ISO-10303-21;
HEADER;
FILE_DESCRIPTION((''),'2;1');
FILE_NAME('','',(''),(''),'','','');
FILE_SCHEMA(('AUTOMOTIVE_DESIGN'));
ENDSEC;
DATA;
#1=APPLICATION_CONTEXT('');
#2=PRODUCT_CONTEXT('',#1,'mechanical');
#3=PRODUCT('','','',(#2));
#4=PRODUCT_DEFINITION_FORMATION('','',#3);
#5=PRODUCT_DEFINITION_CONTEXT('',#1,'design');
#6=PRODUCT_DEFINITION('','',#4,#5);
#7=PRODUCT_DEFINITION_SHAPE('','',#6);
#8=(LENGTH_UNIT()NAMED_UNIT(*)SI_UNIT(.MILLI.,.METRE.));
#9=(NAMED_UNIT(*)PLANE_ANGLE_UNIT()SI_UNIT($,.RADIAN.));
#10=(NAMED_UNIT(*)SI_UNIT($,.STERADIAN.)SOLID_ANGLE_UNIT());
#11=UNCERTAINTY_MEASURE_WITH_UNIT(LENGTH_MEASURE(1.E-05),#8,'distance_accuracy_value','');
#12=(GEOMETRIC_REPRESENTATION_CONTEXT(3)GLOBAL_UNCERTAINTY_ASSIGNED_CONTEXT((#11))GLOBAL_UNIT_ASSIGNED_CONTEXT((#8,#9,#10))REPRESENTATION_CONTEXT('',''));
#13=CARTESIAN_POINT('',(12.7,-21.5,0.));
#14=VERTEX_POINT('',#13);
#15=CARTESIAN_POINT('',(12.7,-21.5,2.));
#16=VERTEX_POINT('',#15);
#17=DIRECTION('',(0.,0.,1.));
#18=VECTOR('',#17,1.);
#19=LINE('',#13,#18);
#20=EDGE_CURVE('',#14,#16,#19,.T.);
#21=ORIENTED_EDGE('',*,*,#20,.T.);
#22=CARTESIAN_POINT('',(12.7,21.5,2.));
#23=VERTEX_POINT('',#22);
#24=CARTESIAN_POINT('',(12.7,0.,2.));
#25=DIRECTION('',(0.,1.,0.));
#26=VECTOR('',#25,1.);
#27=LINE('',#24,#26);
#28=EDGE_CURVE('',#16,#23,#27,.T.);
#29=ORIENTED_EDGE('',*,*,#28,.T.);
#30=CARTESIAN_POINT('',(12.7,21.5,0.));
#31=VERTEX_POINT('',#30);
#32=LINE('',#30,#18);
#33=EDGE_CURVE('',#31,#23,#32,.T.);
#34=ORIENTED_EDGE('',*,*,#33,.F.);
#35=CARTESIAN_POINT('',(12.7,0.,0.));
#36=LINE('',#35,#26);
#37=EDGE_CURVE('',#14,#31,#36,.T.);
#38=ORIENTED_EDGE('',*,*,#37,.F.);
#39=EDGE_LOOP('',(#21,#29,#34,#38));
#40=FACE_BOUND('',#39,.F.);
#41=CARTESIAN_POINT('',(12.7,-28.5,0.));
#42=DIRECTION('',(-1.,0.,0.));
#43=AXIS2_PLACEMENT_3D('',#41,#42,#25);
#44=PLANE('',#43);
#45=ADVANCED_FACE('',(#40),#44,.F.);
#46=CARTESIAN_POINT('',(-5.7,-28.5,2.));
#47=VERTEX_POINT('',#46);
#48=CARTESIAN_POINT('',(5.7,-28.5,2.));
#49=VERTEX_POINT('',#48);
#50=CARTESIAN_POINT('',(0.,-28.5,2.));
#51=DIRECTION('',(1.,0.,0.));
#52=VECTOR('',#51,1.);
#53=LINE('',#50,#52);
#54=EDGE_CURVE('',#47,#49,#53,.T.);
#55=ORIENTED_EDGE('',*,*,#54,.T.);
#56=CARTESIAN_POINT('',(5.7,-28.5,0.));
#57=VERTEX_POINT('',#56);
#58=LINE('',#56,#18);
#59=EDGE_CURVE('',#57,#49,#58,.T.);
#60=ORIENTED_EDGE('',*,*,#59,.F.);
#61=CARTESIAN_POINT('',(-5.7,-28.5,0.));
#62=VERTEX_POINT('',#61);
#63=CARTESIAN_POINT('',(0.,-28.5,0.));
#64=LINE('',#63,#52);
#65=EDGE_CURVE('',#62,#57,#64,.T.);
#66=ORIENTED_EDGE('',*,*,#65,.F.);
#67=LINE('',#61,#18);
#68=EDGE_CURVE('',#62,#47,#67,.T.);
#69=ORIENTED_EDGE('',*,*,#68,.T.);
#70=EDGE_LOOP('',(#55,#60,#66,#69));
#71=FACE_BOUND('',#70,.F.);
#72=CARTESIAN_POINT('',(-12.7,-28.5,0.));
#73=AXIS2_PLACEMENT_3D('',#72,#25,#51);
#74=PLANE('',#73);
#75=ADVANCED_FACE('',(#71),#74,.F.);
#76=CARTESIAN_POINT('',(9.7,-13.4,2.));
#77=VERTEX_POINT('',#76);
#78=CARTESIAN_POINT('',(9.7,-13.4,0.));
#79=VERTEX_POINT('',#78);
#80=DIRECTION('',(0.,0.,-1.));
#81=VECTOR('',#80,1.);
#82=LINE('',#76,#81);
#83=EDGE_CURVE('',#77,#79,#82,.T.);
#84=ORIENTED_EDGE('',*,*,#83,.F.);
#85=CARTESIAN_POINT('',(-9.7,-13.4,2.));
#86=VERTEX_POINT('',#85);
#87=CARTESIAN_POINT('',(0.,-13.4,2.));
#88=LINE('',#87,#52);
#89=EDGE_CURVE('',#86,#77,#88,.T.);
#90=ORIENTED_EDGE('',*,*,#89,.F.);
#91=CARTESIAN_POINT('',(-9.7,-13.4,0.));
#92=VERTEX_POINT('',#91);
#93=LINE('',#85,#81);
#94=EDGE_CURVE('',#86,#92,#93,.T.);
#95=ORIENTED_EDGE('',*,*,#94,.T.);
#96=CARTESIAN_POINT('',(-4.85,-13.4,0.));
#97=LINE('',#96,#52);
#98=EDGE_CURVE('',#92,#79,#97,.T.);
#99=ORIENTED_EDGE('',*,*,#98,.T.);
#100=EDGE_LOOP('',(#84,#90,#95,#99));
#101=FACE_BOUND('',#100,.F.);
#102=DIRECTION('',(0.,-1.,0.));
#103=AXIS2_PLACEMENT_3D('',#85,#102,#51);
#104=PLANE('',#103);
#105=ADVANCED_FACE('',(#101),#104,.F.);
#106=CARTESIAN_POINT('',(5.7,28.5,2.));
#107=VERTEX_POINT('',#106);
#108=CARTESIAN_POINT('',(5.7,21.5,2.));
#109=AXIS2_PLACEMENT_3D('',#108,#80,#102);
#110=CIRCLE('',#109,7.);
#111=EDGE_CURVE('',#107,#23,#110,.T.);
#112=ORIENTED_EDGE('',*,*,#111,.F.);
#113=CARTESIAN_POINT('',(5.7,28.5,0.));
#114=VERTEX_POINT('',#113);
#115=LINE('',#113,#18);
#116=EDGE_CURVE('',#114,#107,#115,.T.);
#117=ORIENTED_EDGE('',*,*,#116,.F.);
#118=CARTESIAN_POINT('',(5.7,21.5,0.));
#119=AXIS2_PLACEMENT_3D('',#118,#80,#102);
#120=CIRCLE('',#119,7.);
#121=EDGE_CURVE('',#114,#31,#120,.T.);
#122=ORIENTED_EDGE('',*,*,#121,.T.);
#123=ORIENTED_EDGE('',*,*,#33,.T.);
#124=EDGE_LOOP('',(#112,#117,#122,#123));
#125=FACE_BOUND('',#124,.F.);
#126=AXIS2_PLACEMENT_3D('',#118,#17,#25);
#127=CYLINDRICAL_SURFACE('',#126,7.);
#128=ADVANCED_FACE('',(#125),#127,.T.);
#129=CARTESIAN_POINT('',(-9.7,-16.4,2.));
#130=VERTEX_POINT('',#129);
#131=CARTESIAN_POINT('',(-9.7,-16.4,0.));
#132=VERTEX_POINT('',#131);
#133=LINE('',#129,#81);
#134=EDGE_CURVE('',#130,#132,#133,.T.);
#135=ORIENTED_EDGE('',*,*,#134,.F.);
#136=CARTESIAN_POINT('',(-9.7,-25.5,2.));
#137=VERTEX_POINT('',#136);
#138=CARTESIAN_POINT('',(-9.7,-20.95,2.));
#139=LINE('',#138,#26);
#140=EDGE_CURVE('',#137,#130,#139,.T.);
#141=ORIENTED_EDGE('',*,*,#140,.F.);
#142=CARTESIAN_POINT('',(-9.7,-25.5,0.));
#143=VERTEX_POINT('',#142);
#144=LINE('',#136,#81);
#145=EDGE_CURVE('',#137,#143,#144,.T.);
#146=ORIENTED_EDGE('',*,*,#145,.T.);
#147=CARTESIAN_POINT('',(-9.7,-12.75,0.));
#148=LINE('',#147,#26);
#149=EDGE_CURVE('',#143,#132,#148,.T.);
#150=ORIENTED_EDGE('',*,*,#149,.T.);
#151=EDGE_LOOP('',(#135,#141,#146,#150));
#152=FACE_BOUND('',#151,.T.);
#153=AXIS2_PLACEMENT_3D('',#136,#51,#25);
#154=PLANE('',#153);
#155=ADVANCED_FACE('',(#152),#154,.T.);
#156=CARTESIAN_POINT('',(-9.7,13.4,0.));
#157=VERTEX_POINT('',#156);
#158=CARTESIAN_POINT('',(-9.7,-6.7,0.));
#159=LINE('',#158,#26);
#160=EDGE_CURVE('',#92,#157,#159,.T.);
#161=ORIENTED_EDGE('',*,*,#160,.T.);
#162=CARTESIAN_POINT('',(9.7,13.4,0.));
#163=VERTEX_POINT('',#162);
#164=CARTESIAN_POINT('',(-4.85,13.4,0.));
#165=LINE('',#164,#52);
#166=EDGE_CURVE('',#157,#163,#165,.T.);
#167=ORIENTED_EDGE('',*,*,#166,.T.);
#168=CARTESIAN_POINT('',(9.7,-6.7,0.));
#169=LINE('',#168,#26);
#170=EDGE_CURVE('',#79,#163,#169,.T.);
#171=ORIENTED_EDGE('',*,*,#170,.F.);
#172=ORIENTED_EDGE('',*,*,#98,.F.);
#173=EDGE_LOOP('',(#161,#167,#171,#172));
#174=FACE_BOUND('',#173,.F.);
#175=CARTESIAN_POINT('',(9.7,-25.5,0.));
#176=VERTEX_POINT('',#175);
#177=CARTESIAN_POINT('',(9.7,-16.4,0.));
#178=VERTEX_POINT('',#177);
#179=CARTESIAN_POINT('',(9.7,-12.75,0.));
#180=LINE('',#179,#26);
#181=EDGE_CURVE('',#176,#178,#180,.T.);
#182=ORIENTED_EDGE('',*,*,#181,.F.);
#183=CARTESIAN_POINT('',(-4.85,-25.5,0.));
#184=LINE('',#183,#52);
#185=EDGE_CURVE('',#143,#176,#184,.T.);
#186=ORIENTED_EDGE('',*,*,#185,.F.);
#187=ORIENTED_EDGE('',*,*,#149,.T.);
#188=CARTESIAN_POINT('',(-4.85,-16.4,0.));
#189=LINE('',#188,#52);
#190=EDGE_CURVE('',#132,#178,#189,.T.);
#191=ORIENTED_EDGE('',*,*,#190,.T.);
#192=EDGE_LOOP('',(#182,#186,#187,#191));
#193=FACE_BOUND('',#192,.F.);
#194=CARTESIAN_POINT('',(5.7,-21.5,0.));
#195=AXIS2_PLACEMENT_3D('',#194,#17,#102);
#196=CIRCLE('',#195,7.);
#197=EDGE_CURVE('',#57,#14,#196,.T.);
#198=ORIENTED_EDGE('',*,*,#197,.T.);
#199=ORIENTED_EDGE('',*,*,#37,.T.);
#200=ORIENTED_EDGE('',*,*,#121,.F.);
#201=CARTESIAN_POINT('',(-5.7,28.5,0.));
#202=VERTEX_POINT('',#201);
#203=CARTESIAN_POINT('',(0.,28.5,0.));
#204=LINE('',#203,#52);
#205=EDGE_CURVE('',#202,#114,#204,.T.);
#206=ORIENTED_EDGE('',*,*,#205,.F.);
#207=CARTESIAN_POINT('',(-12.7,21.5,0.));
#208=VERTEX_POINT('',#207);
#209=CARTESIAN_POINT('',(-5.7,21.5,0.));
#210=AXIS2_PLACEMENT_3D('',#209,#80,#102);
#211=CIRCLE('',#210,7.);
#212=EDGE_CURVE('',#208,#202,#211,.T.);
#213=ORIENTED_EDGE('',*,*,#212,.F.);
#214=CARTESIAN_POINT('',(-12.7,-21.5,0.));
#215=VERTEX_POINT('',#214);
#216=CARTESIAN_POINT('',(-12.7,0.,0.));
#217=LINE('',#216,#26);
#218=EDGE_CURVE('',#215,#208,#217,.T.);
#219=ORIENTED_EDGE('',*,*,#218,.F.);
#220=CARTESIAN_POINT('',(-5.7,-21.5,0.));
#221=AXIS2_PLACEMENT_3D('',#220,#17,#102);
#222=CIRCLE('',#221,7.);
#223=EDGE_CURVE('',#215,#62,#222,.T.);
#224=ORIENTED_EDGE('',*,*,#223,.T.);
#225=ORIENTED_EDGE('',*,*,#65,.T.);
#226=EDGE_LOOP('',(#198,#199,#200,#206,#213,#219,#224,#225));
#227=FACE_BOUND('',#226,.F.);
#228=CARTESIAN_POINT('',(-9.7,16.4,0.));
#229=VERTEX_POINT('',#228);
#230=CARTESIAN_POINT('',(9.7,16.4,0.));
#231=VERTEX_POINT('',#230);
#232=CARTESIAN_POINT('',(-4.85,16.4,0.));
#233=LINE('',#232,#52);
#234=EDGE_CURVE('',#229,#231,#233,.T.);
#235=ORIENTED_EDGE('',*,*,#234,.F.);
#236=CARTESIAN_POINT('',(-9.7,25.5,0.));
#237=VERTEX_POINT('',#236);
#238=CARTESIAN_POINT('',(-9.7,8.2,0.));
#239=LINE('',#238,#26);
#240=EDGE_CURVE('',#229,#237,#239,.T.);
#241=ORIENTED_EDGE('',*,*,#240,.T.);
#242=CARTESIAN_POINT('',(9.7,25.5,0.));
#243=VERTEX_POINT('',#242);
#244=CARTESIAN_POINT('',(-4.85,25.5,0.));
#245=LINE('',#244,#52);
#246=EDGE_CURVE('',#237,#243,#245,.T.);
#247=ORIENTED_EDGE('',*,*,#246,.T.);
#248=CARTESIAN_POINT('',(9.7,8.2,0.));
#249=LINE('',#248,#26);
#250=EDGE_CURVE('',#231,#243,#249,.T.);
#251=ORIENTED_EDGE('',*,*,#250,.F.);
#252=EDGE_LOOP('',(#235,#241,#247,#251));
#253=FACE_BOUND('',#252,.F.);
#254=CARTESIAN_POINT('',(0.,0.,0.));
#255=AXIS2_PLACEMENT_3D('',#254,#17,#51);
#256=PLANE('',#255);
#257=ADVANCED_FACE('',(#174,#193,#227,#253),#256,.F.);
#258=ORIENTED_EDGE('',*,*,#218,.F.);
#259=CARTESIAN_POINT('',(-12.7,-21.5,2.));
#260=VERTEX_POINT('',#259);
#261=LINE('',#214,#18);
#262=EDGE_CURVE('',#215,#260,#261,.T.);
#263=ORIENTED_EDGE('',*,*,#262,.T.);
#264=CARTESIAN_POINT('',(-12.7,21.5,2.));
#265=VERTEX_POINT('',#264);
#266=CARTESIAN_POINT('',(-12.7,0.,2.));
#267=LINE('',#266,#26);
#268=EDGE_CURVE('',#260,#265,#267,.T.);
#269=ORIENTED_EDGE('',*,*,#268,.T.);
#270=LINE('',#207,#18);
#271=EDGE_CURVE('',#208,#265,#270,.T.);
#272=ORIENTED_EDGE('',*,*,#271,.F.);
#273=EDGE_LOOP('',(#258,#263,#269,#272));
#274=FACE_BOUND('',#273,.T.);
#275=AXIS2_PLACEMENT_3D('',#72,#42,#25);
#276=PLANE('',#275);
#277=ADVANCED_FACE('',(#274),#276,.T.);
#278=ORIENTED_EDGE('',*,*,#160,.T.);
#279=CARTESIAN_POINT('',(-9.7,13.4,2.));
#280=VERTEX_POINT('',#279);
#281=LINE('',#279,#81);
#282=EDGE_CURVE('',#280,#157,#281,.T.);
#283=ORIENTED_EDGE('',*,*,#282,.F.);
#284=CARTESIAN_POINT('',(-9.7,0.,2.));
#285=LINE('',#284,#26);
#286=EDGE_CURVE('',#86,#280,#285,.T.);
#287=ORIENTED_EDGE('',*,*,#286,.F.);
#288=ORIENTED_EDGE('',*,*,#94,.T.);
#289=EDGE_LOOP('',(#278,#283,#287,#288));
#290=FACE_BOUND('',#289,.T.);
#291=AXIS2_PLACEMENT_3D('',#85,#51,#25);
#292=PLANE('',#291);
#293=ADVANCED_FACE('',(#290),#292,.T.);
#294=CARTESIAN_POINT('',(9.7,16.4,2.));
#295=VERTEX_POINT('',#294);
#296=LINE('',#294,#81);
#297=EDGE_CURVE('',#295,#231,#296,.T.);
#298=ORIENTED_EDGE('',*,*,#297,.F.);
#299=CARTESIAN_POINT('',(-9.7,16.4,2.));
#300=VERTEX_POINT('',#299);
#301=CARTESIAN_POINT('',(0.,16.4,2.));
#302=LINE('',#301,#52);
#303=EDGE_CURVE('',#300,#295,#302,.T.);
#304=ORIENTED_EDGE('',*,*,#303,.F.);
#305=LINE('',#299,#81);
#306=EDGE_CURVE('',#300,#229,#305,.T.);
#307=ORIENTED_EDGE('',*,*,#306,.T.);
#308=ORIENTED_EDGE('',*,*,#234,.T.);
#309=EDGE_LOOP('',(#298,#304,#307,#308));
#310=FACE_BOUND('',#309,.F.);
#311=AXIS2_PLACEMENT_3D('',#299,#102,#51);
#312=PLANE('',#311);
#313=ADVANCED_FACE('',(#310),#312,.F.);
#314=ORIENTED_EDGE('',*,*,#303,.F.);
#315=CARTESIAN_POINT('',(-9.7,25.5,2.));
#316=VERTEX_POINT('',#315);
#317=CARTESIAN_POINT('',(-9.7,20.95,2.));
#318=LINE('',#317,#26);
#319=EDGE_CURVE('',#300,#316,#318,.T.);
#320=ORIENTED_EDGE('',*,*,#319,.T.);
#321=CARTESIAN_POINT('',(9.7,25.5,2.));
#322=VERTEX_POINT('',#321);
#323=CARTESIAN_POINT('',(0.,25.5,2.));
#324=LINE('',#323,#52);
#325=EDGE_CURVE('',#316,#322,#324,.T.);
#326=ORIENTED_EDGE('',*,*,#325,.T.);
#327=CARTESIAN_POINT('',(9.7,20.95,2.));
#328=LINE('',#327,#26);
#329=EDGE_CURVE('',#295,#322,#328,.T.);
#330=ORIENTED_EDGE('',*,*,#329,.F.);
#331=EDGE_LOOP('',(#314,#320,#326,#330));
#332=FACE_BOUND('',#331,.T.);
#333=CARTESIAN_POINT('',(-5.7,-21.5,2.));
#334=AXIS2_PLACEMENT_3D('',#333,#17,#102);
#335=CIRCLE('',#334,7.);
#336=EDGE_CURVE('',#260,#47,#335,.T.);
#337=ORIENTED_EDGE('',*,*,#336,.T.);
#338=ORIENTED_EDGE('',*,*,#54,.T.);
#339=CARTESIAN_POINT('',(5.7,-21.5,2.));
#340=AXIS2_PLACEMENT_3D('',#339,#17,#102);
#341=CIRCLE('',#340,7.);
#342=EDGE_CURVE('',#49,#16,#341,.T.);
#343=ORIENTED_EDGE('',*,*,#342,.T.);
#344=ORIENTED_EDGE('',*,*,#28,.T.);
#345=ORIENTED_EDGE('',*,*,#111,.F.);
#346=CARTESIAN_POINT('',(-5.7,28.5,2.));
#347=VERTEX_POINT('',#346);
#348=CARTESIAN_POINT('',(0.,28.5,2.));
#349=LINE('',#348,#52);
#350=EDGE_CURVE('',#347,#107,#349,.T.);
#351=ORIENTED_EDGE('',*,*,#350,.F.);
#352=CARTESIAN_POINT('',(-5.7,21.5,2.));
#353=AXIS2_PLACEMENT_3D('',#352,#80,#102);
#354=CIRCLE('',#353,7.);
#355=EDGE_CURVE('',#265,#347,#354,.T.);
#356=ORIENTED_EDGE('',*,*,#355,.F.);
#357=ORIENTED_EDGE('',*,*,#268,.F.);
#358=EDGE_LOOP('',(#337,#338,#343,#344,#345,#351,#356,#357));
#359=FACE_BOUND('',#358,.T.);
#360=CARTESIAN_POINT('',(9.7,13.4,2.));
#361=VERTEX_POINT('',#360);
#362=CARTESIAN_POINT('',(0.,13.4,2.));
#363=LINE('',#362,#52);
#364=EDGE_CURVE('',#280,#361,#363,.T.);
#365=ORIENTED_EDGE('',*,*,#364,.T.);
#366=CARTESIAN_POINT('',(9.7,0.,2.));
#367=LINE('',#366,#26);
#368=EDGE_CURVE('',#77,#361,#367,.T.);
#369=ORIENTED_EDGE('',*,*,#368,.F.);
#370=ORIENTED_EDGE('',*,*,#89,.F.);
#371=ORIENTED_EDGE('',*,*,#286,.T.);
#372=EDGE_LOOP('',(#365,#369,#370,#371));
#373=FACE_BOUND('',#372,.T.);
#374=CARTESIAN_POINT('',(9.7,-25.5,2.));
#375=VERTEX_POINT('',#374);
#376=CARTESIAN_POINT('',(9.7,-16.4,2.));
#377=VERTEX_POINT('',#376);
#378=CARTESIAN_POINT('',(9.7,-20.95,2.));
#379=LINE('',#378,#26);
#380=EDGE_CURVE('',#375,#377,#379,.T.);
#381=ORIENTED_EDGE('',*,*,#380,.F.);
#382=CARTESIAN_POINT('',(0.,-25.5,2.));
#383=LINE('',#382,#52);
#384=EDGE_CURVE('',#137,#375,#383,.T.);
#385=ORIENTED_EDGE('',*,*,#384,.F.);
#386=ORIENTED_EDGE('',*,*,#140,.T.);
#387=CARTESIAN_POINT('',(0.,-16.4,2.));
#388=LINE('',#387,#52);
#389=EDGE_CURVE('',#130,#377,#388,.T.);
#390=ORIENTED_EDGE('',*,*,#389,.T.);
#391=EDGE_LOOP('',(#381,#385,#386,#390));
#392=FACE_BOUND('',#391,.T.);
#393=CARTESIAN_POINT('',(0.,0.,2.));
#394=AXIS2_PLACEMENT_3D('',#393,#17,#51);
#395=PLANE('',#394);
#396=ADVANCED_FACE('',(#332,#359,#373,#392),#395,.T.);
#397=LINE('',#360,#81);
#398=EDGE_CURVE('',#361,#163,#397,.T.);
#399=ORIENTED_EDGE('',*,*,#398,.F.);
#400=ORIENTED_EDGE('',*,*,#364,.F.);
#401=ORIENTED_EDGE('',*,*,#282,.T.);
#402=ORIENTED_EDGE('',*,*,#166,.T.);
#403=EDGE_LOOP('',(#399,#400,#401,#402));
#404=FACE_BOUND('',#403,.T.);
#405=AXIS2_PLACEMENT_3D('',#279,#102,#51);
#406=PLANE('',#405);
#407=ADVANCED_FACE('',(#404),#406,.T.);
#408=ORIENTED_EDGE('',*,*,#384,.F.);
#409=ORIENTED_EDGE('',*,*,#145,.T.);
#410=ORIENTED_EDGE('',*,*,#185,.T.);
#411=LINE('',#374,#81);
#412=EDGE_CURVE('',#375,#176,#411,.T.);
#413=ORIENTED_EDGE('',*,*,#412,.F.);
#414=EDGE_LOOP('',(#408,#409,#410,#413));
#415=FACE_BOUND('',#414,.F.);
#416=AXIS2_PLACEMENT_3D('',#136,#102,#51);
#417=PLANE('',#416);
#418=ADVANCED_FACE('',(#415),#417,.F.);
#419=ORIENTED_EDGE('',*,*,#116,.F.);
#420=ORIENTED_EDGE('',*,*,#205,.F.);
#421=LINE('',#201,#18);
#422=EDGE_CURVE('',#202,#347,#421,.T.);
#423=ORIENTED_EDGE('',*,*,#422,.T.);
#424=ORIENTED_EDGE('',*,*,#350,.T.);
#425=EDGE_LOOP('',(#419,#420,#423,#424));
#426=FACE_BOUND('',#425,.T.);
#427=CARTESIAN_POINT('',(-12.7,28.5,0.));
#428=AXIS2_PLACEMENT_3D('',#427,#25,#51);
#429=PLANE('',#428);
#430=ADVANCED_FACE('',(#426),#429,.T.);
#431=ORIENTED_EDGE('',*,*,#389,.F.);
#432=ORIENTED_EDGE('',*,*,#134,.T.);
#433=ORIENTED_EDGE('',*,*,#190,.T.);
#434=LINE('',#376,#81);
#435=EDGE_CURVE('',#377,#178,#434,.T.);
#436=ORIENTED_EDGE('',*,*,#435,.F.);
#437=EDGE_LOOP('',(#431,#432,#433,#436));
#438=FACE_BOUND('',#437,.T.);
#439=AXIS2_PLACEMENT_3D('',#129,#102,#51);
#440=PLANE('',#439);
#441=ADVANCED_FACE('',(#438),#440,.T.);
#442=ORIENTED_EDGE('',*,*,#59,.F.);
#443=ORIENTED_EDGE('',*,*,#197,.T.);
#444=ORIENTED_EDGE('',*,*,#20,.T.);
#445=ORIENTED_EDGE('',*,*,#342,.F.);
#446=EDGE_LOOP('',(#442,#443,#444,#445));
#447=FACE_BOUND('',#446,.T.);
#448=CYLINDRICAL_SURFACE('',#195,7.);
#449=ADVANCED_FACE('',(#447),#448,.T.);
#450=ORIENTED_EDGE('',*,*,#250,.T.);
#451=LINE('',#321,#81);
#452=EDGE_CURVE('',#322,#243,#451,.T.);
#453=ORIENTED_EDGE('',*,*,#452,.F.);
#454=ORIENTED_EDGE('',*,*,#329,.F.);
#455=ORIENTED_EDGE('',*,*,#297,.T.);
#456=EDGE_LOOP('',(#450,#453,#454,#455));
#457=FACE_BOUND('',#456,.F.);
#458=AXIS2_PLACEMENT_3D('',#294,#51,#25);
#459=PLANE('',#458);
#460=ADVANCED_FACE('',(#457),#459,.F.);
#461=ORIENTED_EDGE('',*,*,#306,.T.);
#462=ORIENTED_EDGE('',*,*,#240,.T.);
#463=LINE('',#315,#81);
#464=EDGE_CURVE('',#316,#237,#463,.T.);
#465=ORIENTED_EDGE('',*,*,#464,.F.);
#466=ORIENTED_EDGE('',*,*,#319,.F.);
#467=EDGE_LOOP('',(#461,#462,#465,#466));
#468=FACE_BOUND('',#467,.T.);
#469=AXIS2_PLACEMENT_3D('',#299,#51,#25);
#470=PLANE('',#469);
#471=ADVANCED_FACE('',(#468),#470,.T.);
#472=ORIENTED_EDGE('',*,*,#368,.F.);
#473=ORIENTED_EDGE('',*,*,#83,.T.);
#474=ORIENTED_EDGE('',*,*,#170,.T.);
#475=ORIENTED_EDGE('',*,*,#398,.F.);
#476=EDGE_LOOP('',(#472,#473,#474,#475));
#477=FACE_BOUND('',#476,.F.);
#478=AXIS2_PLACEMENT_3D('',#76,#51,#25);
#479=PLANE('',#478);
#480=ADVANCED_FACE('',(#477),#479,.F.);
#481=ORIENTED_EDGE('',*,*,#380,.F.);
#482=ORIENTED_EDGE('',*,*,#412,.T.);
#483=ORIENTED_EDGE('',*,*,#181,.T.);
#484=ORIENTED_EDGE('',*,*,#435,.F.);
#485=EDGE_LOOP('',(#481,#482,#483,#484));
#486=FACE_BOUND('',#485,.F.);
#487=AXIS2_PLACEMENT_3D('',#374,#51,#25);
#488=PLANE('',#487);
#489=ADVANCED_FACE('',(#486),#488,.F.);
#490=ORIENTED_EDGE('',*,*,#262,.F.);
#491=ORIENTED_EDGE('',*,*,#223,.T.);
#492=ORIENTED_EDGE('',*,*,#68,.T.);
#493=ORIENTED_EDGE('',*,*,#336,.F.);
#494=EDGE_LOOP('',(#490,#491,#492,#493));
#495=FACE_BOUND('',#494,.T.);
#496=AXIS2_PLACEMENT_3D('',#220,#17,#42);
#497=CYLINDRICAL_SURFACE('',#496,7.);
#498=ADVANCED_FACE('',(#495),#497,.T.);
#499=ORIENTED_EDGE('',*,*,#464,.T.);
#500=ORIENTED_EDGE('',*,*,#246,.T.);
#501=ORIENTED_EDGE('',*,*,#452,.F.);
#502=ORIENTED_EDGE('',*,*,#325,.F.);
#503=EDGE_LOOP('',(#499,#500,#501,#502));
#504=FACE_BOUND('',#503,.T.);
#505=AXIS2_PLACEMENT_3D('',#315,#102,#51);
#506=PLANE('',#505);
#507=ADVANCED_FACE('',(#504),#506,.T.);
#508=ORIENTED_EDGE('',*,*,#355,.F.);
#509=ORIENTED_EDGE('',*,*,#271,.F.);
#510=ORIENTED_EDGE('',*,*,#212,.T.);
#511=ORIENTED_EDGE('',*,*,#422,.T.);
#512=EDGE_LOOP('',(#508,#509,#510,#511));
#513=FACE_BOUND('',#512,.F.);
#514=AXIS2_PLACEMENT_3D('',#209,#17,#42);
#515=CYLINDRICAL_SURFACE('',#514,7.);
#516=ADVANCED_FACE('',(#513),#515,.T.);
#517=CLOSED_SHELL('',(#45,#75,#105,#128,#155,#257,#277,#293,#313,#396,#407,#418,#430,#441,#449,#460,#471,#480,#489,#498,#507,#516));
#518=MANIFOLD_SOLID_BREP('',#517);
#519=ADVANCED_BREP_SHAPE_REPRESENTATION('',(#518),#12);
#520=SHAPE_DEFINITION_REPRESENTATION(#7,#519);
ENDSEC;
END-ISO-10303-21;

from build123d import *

# Parameters (mm, degrees)
F0_W     = 25.4
F0_H     = 57
F1_DEPTH = 2
F2_W     = 19.4
F2_H     = 9.1
F2_H_2   = 26.8
F3_DEPTH = 2.001
F4_R     = 7


with BuildPart() as f1:
    # F0 (on Top) → F1 (new body)
    with BuildSketch(Plane.XY):
        Rectangle(F0_W, F0_H)
    extrude(amount=F1_DEPTH)

    # F2 (on face) → F3 (cut, through all)
    with BuildSketch(Plane.XY.offset(2)):
        with Locations((0, 20.95)):
            Rectangle(F2_W, F2_H)
        Rectangle(F2_W, F2_H_2)
        with Locations((0, -20.95)):
            Rectangle(F2_W, F2_H)
    extrude(amount=-F3_DEPTH, mode=Mode.SUBTRACT)

    # F4
    f4_edges = [f1.edges().sort_by_distance(p)[0] for p in [
        (12.7, 28.5, 1),
        (12.7, -28.5, 1),
        (-12.7, -28.5, 1),
        (-12.7, 28.5, 1),
    ]]
    fillet(f4_edges, radius=F4_R)


solid = f1.part
